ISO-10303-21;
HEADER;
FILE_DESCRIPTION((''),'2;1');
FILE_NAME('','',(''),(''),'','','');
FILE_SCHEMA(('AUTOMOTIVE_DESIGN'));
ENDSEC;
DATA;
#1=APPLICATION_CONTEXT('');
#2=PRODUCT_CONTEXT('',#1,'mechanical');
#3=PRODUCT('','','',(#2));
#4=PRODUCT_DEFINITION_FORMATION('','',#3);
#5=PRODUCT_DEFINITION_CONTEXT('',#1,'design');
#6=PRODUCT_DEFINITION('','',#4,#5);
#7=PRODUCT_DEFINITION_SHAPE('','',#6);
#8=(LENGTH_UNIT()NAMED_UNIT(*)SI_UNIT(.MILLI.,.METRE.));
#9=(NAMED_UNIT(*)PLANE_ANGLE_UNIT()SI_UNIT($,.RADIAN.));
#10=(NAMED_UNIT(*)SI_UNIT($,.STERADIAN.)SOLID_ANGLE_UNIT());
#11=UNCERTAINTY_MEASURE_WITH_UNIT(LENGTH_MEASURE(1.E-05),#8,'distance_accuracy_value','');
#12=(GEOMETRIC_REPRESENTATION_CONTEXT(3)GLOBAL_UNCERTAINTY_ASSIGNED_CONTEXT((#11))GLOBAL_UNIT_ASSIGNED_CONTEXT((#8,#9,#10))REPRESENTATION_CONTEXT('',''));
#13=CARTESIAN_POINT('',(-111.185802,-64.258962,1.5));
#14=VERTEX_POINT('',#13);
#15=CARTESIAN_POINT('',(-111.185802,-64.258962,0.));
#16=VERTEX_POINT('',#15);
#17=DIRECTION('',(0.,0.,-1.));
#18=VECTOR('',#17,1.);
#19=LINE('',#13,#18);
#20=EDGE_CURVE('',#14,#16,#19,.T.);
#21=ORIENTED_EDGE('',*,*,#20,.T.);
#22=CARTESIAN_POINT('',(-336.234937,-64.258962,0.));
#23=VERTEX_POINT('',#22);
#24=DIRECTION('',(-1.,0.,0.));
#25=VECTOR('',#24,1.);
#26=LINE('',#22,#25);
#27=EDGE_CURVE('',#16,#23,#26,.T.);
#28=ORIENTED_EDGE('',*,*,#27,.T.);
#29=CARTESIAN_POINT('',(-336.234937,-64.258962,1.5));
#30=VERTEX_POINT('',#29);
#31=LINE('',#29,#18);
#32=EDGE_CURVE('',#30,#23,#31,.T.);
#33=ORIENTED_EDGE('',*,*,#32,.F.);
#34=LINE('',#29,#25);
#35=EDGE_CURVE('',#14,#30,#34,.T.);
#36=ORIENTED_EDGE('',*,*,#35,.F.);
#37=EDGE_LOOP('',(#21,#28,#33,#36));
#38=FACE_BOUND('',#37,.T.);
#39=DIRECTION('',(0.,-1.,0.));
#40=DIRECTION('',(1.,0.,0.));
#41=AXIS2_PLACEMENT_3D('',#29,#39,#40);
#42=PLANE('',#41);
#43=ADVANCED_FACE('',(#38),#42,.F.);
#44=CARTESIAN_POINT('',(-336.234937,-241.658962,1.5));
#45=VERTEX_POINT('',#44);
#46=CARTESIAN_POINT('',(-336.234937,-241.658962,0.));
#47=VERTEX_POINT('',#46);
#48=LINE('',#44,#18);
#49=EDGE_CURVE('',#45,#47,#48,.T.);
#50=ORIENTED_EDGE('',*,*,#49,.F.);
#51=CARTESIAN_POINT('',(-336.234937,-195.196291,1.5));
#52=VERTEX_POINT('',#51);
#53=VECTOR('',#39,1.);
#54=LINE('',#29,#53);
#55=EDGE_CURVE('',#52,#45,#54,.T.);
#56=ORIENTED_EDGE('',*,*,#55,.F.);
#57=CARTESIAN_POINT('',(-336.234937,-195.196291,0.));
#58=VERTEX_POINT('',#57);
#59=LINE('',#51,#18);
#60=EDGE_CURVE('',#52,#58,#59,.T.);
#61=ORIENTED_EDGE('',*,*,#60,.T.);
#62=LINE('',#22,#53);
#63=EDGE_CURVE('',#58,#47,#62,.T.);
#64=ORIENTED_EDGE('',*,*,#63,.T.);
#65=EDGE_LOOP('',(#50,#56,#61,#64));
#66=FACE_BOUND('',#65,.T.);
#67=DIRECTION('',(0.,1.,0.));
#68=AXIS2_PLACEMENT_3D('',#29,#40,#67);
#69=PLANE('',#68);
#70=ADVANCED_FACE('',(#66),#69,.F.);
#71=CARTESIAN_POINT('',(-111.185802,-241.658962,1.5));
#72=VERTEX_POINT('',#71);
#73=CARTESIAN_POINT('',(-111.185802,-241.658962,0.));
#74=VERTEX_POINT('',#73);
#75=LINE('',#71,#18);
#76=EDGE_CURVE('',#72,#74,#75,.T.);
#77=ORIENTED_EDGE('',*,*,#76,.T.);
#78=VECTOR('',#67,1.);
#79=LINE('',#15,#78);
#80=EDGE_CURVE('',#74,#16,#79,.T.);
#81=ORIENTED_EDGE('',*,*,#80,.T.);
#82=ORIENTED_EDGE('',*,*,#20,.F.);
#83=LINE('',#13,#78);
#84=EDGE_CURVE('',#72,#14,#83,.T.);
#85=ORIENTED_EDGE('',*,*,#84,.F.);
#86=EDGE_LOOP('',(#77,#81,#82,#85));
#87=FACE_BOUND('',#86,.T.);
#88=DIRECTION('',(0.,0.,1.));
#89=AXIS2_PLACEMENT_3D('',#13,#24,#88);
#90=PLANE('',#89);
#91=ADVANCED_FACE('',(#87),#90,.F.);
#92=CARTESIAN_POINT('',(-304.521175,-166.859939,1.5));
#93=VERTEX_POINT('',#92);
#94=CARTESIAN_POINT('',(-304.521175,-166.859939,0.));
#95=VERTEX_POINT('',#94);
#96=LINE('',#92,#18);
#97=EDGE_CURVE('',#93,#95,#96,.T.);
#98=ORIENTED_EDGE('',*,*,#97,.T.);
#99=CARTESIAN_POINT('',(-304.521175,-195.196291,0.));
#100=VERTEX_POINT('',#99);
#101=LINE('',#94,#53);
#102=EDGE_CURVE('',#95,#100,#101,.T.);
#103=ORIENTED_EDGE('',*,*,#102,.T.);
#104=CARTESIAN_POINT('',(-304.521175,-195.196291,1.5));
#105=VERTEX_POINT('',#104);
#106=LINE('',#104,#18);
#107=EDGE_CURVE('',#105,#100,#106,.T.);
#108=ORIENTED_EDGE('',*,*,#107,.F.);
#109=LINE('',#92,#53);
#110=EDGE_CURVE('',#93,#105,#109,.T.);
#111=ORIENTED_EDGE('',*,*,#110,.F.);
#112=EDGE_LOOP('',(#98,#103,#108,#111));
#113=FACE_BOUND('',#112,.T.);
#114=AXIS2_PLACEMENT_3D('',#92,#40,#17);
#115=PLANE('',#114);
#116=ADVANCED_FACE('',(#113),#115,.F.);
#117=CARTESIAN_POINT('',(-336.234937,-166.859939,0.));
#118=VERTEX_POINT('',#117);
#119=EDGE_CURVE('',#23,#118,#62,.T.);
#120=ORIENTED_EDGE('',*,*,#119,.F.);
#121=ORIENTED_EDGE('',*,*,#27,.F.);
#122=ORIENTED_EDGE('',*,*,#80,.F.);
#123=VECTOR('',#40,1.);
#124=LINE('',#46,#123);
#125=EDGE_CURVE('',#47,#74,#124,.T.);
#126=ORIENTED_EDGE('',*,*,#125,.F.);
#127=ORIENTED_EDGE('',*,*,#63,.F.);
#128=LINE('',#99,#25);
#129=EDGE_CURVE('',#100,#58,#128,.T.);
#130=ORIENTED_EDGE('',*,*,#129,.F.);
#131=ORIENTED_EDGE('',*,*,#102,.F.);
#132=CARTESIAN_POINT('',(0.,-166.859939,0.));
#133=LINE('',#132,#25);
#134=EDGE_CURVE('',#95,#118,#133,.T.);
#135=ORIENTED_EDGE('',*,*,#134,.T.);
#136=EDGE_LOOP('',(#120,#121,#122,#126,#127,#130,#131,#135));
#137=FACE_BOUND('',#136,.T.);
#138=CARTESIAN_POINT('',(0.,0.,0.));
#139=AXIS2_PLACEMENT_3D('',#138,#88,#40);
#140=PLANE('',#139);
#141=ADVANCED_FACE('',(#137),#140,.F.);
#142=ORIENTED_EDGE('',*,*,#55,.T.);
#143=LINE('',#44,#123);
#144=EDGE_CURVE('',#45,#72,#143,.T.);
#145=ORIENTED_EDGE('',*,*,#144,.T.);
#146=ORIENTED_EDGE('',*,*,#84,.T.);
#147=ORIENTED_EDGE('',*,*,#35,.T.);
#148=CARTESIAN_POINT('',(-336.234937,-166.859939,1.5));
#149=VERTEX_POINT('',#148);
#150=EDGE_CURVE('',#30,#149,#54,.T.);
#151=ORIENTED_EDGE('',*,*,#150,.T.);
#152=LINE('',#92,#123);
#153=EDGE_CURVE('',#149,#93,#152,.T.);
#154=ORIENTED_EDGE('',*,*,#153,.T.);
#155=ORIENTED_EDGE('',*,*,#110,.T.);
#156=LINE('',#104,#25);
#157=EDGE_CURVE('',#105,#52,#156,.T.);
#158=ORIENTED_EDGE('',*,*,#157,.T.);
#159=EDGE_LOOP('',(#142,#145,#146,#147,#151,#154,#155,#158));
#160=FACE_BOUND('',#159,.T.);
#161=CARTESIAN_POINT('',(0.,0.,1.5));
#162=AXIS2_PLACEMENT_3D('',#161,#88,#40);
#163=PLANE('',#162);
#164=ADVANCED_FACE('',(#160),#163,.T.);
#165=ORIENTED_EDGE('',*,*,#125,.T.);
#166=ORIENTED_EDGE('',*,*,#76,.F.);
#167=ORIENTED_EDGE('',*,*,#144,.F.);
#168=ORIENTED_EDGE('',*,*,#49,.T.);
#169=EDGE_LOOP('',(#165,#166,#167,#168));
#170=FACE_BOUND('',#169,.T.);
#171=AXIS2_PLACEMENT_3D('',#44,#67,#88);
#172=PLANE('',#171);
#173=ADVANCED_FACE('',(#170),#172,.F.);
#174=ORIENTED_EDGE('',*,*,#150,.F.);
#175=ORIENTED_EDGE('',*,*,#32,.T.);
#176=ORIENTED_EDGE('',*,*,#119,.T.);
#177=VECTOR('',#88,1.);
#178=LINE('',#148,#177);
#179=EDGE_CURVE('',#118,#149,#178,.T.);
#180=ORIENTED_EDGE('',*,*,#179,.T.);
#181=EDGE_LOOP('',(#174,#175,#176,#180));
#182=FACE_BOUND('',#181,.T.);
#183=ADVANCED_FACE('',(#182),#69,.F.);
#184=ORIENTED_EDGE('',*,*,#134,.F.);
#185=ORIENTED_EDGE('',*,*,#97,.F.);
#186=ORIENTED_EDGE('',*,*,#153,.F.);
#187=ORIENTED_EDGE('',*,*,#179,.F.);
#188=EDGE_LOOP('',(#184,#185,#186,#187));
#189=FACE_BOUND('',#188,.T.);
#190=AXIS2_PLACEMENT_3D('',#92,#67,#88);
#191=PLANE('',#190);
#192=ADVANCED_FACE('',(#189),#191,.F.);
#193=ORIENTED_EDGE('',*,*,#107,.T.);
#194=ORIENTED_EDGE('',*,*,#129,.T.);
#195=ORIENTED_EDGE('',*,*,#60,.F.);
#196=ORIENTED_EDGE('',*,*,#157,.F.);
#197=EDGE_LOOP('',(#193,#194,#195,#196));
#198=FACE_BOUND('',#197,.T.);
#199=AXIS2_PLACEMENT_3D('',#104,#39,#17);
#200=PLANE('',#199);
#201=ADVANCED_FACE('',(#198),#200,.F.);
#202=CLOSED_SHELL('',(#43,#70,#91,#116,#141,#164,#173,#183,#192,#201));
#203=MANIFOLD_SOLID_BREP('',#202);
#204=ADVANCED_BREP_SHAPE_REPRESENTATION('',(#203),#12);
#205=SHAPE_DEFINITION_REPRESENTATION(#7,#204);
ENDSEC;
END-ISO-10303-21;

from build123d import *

# Parameters (mm, degrees)
SKETCH1_W               = 225.049134978
SKETCH1_H               = 177.4
BOSS_EXTRUDE1_DEPTH     = 1.5
CUT_EXTRUDE1_DEPTH      = 415.071536001
CUT_EXTRUDE1_DEPTH_BACK = 415.071536001
SKETCH2_W               = 37.712350792
SKETCH2_H               = 28.336351977


with BuildPart() as part:
    # Sketch1 → Boss-Extrude1 (new body)
    with BuildSketch(Plane.XY):
        with Locations((-223.710369918, -152.958961749)):
            Rectangle(SKETCH1_W, SKETCH1_H)
    extrude(amount=BOSS_EXTRUDE1_DEPTH)

    # Sketch2 → Cut-Extrude1 (cut, two sides: drawn at the far end of the back side and taken through both)
    with BuildSketch(Plane(origin=(0, 0, 0), x_dir=(-1, 0, 0), z_dir=(0, 0, -1)).offset(-CUT_EXTRUDE1_DEPTH_BACK)):
        with Locations((323.377350572, -181.028114896)):
            Rectangle(SKETCH2_W, SKETCH2_H)
    extrude(amount=CUT_EXTRUDE1_DEPTH + CUT_EXTRUDE1_DEPTH_BACK, mode=Mode.SUBTRACT)


solid = part.part
